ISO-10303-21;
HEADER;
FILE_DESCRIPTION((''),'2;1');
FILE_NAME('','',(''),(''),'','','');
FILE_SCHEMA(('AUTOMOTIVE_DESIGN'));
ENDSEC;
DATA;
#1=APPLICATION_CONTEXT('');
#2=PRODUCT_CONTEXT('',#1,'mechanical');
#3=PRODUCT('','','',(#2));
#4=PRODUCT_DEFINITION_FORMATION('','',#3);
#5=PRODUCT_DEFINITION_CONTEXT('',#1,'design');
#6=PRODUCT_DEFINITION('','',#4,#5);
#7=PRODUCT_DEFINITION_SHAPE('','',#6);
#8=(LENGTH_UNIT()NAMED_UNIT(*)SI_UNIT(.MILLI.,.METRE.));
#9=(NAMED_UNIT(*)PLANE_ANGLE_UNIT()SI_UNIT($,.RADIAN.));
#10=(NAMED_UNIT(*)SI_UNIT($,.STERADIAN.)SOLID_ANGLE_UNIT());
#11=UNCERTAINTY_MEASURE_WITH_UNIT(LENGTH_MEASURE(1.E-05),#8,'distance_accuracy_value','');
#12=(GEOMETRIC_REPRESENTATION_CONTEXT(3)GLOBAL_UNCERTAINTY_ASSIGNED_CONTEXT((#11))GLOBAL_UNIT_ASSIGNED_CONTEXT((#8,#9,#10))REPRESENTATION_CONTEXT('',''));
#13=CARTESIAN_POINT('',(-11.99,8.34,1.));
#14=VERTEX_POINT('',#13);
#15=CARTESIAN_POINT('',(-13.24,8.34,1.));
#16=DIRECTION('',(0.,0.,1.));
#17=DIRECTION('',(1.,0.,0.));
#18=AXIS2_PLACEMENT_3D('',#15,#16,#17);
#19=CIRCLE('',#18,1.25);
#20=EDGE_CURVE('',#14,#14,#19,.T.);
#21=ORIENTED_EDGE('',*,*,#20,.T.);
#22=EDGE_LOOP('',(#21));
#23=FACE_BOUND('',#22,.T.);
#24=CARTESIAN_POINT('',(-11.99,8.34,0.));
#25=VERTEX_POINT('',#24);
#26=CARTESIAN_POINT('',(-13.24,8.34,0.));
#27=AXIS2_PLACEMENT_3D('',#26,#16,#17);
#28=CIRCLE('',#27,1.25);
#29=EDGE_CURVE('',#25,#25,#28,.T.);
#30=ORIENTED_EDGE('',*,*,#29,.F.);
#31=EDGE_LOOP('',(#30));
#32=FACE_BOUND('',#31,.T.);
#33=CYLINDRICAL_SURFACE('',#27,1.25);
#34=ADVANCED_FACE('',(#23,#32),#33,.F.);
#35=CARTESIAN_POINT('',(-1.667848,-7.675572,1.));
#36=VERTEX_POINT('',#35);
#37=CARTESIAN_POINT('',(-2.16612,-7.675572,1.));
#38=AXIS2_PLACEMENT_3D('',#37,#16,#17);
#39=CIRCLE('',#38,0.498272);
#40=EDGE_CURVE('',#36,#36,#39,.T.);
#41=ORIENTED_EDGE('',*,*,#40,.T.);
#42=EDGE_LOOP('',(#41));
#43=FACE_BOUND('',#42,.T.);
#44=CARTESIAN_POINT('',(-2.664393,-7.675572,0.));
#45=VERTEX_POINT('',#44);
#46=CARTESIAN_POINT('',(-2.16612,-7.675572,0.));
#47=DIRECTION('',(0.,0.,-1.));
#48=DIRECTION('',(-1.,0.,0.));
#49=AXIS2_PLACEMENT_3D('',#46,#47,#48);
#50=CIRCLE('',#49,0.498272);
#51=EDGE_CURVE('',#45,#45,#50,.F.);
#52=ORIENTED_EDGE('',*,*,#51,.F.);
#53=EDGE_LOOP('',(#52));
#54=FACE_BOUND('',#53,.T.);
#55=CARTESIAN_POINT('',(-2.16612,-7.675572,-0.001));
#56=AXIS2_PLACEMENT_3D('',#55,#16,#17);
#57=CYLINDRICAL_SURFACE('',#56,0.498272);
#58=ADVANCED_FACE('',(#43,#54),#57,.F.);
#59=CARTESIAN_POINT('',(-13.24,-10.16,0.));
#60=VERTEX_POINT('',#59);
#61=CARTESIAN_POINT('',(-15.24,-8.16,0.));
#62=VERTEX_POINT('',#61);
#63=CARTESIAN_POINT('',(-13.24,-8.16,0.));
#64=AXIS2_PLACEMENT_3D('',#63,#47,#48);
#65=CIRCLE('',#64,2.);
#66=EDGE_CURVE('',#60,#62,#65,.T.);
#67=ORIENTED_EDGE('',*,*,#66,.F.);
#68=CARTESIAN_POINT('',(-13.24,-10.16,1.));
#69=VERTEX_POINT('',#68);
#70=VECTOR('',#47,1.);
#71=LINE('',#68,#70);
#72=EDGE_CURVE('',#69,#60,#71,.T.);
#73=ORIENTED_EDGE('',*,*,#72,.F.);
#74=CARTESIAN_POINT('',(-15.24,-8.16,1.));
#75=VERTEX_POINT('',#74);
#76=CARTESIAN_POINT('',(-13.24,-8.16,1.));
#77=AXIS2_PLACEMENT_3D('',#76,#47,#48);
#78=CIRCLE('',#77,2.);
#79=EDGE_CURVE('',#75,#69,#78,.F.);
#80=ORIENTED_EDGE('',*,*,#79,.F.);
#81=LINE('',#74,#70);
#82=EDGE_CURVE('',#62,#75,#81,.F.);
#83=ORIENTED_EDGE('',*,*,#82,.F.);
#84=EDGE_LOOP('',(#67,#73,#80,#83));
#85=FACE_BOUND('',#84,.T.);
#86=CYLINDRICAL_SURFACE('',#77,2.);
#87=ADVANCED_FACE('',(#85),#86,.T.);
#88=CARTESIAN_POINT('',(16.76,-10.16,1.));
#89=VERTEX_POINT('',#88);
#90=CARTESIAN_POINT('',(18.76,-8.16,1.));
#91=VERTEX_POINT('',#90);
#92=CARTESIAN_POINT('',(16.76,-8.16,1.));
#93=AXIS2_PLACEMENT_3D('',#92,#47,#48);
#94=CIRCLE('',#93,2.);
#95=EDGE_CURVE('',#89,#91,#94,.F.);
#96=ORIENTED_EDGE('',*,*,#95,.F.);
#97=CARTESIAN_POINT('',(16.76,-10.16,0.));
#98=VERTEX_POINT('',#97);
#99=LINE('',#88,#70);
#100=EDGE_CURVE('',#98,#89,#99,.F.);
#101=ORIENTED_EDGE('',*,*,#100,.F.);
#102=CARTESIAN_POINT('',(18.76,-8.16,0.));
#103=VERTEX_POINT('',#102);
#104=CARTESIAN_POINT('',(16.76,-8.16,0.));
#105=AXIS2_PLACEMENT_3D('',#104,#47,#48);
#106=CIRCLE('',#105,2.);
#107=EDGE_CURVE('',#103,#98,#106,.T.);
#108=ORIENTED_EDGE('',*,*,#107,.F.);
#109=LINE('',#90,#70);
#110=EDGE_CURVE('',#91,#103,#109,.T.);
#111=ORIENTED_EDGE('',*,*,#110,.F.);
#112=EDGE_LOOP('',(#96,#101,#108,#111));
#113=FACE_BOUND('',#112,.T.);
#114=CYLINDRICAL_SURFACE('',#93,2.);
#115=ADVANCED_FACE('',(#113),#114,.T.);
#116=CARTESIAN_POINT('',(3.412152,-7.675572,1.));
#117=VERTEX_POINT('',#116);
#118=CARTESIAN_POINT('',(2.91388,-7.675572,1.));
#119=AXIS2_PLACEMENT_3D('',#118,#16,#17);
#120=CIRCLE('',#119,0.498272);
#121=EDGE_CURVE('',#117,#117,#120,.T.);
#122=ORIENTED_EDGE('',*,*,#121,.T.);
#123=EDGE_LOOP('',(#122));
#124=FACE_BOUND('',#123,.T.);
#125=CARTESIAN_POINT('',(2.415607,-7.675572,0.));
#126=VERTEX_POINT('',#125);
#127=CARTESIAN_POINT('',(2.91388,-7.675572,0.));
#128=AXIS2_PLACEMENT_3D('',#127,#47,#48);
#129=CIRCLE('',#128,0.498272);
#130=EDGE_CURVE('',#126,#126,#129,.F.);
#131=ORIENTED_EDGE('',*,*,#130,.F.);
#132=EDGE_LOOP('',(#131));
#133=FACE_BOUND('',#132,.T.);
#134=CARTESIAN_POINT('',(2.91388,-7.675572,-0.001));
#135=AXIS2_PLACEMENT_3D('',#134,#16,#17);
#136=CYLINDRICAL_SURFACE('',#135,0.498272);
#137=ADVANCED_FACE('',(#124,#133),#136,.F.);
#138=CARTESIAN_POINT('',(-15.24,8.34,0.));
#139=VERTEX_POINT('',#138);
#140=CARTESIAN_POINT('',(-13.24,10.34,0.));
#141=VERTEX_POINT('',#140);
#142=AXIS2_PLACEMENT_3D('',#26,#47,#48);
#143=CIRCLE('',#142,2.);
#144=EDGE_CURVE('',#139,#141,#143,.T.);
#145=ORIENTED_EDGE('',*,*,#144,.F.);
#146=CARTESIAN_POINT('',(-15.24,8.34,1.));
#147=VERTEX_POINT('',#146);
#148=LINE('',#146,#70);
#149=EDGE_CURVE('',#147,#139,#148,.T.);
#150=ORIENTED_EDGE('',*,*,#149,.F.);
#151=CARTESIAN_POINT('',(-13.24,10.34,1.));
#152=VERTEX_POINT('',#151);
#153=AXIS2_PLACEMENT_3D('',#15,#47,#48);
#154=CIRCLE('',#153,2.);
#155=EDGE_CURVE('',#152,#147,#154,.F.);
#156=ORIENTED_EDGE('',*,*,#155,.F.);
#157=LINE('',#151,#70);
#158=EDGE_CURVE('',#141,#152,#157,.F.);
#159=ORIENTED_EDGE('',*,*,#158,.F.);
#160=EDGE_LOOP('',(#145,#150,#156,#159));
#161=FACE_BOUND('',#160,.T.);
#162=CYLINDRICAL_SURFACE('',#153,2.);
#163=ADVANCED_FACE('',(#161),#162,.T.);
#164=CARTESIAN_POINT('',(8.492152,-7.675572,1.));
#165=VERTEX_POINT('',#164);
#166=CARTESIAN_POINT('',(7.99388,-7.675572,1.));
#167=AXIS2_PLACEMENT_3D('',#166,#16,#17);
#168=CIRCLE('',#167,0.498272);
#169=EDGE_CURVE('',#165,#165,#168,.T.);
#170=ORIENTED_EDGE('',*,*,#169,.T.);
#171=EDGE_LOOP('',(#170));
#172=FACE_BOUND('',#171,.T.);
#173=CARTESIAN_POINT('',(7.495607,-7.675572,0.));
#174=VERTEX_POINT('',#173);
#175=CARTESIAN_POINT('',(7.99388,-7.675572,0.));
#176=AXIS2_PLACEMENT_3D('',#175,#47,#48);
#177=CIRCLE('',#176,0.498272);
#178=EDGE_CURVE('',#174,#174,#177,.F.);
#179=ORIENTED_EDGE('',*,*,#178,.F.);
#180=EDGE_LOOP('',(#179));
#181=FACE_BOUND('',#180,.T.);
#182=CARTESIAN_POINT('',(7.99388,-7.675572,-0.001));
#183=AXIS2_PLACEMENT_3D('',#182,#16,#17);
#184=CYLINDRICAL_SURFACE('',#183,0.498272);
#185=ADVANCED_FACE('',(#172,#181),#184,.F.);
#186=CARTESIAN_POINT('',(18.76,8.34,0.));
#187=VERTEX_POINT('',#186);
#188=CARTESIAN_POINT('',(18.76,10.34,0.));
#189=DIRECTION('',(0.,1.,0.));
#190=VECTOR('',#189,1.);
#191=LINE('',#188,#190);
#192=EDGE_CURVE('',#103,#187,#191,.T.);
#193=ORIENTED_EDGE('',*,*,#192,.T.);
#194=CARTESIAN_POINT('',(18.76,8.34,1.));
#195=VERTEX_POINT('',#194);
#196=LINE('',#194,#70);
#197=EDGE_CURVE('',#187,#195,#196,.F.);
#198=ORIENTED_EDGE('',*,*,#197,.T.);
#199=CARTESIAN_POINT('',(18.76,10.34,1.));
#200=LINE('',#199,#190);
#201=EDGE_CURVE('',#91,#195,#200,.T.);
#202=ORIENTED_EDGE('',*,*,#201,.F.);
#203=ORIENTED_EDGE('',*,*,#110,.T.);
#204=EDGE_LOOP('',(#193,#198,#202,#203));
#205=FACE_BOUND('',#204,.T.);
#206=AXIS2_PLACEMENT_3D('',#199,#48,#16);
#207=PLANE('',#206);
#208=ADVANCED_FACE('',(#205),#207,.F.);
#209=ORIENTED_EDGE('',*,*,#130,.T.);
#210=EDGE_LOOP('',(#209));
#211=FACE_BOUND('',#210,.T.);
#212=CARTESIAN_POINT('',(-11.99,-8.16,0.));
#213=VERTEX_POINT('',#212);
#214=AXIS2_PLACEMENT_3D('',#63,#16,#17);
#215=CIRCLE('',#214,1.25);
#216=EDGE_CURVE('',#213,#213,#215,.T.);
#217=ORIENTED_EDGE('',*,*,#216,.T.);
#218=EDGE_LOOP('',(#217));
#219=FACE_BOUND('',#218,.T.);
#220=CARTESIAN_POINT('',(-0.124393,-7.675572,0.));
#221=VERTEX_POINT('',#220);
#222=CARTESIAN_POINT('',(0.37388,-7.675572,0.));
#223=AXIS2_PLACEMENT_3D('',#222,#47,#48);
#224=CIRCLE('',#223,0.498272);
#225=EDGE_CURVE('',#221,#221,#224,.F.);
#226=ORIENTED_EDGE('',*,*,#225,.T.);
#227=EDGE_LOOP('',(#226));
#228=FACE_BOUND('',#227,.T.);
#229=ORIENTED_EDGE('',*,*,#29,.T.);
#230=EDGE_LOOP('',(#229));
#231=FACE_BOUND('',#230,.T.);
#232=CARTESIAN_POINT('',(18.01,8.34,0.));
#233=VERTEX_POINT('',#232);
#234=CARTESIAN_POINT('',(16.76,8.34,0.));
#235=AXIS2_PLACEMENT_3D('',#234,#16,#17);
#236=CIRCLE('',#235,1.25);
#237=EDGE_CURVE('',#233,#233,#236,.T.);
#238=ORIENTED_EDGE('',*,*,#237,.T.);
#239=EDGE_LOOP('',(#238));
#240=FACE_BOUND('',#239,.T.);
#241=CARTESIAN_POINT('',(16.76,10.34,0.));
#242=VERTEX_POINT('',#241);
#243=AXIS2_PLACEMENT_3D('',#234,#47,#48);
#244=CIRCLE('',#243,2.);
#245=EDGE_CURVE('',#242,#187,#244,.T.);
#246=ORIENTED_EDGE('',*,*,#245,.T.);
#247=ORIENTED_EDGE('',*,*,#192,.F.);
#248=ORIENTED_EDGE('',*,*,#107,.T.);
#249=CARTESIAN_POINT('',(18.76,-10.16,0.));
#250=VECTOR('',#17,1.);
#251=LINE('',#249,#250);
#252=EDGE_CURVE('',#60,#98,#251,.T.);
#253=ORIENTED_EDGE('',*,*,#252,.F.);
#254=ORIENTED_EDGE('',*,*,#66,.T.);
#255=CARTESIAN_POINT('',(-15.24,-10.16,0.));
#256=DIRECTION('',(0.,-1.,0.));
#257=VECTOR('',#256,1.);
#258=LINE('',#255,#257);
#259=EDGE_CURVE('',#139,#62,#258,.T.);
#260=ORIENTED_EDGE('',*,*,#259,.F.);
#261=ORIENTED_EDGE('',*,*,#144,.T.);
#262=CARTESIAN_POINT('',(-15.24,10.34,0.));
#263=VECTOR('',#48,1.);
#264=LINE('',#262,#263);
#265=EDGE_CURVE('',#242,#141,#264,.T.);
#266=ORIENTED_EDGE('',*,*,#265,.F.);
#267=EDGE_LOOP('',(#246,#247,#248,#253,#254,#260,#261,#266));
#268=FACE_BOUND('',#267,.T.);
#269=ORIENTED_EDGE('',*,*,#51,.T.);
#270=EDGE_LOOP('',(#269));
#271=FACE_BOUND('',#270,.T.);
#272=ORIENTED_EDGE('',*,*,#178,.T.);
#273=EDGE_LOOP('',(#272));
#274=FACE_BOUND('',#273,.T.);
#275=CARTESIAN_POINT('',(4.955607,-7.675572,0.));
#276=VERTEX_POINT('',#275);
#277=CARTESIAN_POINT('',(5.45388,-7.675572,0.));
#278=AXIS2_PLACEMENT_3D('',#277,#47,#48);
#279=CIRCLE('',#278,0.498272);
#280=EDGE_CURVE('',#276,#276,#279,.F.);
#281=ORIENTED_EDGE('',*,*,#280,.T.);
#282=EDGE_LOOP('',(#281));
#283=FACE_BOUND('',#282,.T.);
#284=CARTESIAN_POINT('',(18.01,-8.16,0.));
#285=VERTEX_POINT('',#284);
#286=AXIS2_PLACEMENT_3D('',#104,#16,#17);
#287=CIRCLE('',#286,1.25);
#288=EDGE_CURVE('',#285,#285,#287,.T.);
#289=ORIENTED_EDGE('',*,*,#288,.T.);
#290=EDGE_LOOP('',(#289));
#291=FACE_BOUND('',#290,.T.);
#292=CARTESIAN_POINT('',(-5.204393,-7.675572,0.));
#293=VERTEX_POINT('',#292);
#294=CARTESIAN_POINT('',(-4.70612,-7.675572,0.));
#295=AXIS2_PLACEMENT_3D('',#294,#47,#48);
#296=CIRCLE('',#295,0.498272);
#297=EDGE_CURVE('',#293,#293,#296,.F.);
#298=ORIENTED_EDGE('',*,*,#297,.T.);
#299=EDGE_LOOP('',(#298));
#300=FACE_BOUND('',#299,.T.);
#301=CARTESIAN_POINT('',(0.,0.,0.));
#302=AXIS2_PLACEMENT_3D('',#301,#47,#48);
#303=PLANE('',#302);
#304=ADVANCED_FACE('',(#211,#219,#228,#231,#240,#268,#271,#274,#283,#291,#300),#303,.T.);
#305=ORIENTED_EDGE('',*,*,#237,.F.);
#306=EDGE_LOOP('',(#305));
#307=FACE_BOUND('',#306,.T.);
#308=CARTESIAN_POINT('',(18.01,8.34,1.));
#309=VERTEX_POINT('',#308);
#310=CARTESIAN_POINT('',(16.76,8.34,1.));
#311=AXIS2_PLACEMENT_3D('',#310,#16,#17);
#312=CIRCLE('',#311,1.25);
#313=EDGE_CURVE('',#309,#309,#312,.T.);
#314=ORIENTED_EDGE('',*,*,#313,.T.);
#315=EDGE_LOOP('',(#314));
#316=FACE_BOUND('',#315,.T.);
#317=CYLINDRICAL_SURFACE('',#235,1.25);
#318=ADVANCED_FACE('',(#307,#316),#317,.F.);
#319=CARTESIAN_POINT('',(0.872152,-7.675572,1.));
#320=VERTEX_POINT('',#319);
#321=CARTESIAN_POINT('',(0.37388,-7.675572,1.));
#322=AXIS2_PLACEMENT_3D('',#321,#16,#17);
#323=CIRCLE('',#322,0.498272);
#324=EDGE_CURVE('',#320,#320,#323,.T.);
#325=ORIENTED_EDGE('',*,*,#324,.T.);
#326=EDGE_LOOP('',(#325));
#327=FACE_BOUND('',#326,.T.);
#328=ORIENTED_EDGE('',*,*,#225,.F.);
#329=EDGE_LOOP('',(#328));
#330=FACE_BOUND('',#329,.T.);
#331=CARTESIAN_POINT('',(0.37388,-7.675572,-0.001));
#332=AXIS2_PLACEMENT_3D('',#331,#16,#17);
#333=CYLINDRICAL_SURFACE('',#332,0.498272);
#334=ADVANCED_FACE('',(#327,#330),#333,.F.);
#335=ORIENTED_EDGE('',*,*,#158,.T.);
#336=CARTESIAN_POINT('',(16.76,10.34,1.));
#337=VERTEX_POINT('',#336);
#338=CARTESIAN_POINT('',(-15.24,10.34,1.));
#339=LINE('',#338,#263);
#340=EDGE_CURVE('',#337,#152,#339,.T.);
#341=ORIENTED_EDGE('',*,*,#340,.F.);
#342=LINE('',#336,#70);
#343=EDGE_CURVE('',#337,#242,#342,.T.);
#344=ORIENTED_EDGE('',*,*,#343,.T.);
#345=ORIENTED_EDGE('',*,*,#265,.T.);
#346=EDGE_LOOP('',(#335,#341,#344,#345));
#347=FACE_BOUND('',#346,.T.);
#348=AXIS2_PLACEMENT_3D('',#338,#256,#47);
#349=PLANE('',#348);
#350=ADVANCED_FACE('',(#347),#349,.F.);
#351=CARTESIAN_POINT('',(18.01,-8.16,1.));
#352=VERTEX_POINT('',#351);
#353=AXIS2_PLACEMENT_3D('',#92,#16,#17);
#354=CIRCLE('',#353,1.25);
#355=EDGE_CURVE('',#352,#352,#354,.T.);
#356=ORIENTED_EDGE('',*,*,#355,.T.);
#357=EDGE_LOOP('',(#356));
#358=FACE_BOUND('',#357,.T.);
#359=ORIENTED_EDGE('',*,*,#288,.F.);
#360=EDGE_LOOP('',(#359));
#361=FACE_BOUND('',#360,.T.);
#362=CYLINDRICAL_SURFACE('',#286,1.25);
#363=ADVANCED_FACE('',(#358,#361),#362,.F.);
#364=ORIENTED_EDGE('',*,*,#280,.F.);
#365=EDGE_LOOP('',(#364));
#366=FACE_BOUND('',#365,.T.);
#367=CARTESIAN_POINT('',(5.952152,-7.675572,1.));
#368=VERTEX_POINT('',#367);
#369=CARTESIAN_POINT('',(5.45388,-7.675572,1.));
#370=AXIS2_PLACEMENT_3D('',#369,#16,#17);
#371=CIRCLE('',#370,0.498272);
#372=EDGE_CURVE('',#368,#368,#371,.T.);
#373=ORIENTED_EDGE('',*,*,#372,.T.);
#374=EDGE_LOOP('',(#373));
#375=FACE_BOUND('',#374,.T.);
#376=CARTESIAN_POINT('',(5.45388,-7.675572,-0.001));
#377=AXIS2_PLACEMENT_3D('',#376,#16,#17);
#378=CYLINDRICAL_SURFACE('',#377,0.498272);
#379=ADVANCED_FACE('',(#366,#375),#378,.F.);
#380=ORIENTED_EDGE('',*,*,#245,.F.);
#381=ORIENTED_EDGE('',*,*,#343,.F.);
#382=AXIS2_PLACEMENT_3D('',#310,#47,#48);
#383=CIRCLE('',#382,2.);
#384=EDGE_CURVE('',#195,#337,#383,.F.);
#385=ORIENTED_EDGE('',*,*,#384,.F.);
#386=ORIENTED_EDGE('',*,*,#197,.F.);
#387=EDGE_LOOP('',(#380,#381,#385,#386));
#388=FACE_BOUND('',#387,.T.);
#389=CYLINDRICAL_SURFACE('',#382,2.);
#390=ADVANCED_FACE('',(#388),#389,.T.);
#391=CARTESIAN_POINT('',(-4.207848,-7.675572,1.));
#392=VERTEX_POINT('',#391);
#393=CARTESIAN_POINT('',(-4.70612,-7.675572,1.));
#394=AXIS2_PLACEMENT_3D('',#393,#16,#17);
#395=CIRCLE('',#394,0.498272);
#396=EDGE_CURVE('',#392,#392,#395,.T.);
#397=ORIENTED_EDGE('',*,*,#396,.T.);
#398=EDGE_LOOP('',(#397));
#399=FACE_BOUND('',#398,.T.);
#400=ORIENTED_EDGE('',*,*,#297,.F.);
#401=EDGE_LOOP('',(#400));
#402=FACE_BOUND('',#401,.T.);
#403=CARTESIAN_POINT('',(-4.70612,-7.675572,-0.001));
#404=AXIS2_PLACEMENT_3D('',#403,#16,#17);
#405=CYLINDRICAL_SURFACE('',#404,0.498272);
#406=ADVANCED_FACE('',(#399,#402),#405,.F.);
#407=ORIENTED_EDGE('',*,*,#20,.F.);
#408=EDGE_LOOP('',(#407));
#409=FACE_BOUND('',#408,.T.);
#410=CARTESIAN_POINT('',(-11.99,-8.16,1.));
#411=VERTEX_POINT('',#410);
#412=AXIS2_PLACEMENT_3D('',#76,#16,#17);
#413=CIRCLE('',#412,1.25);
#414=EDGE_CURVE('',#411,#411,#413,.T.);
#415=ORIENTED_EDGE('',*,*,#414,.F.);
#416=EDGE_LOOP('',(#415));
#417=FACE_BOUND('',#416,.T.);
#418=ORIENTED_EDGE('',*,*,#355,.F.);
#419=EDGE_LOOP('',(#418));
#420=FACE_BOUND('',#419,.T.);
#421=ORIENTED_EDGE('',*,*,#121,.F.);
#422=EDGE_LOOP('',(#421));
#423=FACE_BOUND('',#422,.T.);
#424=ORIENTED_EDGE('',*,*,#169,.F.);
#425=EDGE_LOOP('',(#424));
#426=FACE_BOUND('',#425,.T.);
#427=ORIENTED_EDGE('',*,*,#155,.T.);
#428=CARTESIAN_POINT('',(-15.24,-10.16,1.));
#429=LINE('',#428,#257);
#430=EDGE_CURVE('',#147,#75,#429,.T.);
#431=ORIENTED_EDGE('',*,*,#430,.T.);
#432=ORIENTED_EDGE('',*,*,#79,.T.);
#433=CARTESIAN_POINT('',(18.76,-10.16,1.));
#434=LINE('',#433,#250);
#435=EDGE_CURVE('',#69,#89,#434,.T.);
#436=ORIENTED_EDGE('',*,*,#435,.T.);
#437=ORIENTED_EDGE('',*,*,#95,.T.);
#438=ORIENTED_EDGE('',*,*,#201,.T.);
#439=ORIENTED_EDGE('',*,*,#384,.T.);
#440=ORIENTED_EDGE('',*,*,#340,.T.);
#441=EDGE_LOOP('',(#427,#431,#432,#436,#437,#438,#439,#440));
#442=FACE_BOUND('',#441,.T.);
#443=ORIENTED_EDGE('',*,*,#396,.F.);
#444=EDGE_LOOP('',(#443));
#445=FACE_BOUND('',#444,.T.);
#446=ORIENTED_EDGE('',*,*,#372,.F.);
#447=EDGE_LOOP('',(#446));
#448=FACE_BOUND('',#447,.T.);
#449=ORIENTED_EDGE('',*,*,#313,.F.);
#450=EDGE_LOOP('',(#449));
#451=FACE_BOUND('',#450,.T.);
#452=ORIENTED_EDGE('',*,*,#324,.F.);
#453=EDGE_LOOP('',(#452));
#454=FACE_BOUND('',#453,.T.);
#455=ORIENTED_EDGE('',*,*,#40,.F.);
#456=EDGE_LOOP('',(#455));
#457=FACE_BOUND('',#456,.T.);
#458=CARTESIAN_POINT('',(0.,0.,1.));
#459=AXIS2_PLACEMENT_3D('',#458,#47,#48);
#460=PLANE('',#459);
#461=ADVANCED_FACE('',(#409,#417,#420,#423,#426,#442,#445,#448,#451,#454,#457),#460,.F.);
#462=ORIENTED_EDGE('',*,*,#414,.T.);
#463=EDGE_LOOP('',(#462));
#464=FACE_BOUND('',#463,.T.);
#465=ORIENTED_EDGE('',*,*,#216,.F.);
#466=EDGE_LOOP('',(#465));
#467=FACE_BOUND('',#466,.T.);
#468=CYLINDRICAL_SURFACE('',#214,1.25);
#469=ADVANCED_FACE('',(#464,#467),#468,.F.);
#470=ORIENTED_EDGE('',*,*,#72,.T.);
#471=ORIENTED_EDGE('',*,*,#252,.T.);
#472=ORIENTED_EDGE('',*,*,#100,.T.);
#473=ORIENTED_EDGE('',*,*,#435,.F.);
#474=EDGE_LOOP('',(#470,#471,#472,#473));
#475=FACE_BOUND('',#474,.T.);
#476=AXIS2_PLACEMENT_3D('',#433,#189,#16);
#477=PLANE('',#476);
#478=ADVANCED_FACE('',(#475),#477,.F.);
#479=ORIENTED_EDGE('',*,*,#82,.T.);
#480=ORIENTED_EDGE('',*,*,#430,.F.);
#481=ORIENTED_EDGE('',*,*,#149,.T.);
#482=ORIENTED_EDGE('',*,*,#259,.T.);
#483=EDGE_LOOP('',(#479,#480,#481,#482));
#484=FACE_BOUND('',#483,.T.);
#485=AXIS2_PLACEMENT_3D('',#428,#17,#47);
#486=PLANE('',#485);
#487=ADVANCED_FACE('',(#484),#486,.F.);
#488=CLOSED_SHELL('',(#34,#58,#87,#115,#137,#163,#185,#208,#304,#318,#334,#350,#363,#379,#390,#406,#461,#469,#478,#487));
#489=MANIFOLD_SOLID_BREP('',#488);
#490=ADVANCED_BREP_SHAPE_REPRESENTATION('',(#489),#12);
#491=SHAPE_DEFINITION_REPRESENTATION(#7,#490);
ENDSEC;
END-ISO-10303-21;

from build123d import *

# Parameters (mm, degrees)
SKETCH1_W               = 34
SKETCH1_H               = 20.5
COMPONENT_OUTLINE_DEPTH = 1
CUT_EXTRUDE1_REACH      = 3
SKETCH4_R               = 0.498272188
SKETCH5_R               = 1.25
CUT_EXTRUDE2_DEPTH      = 2
FILLET1_R               = 2


with BuildPart() as part:
    # Sketch1 → Component_Outline (new body)
    with BuildSketch(Plane.XY):
        with Locations((1.76, 0.09)):
            Rectangle(SKETCH1_W, SKETCH1_H)
    extrude(amount=COMPONENT_OUTLINE_DEPTH)

    # Sketch4 → Cut-Extrude1 (cut, up to next)
    with BuildSketch(Plane.XY.offset(1), mode=Mode.PRIVATE) as cut_extrude1_sk1:
        with Locations((-4.706120495, -7.675571956)):
            Circle(SKETCH4_R)
    cut_extrude1_tool1 = extrude(cut_extrude1_sk1.sketch, amount=-CUT_EXTRUDE1_REACH, mode=Mode.PRIVATE) & part.part
    add(cut_extrude1_tool1.solids().sort_by_distance((-4.70612, -7.675572, 1))[0], mode=Mode.SUBTRACT)
    # Sketch4 → Cut-Extrude1 (cut, up to next)
    with BuildSketch(Plane.XY.offset(1), mode=Mode.PRIVATE) as cut_extrude1_sk2:
        with Locations((-2.166120495, -7.675571956)):
            Circle(SKETCH4_R)
    cut_extrude1_tool2 = extrude(cut_extrude1_sk2.sketch, amount=-CUT_EXTRUDE1_REACH, mode=Mode.PRIVATE) & part.part
    add(cut_extrude1_tool2.solids().sort_by_distance((-2.16612, -7.675572, 1))[0], mode=Mode.SUBTRACT)
    # Sketch4 → Cut-Extrude1 (cut, up to next)
    with BuildSketch(Plane.XY.offset(1), mode=Mode.PRIVATE) as cut_extrude1_sk3:
        with Locations((0.373879505, -7.675571956)):
            Circle(SKETCH4_R)
    cut_extrude1_tool3 = extrude(cut_extrude1_sk3.sketch, amount=-CUT_EXTRUDE1_REACH, mode=Mode.PRIVATE) & part.part
    add(cut_extrude1_tool3.solids().sort_by_distance((0.37388, -7.675572, 1))[0], mode=Mode.SUBTRACT)
    # Sketch4 → Cut-Extrude1 (cut, up to next)
    with BuildSketch(Plane.XY.offset(1), mode=Mode.PRIVATE) as cut_extrude1_sk4:
        with Locations((2.913879505, -7.675571956)):
            Circle(SKETCH4_R)
    cut_extrude1_tool4 = extrude(cut_extrude1_sk4.sketch, amount=-CUT_EXTRUDE1_REACH, mode=Mode.PRIVATE) & part.part
    add(cut_extrude1_tool4.solids().sort_by_distance((2.91388, -7.675572, 1))[0], mode=Mode.SUBTRACT)
    # Sketch4 → Cut-Extrude1 (cut, up to next)
    with BuildSketch(Plane.XY.offset(1), mode=Mode.PRIVATE) as cut_extrude1_sk5:
        with Locations((5.453879505, -7.675571956)):
            Circle(SKETCH4_R)
    cut_extrude1_tool5 = extrude(cut_extrude1_sk5.sketch, amount=-CUT_EXTRUDE1_REACH, mode=Mode.PRIVATE) & part.part
    add(cut_extrude1_tool5.solids().sort_by_distance((5.45388, -7.675572, 1))[0], mode=Mode.SUBTRACT)
    # Sketch4 → Cut-Extrude1 (cut, up to next)
    with BuildSketch(Plane.XY.offset(1), mode=Mode.PRIVATE) as cut_extrude1_sk6:
        with Locations((7.993879505, -7.675571956)):
            Circle(SKETCH4_R)
    cut_extrude1_tool6 = extrude(cut_extrude1_sk6.sketch, amount=-CUT_EXTRUDE1_REACH, mode=Mode.PRIVATE) & part.part
    add(cut_extrude1_tool6.solids().sort_by_distance((7.99388, -7.675572, 1))[0], mode=Mode.SUBTRACT)

    # Sketch5 → Cut-Extrude2 (cut, through all)
    with BuildSketch(Plane.XY.offset(1)):
        with Locations((-13.24, 8.34)):
            Circle(SKETCH5_R)
        with Locations((16.76, 8.34)):
            Circle(SKETCH5_R)
        with Locations((16.76, -8.16)):
            Circle(SKETCH5_R)
        with Locations((-13.24, -8.16)):
            Circle(SKETCH5_R)
    extrude(amount=-CUT_EXTRUDE2_DEPTH, mode=Mode.SUBTRACT)

    # Fillet1
    fillet1_edges = [part.edges().sort_by_distance(p)[0] for p in [
        (-15.24, 10.34, 0.5),
        (18.76, 10.34, 0.5),
        (18.76, -10.16, 0.5),
        (-15.24, -10.16, 0.5),
    ]]
    fillet(fillet1_edges, radius=FILLET1_R)


solid = part.part
